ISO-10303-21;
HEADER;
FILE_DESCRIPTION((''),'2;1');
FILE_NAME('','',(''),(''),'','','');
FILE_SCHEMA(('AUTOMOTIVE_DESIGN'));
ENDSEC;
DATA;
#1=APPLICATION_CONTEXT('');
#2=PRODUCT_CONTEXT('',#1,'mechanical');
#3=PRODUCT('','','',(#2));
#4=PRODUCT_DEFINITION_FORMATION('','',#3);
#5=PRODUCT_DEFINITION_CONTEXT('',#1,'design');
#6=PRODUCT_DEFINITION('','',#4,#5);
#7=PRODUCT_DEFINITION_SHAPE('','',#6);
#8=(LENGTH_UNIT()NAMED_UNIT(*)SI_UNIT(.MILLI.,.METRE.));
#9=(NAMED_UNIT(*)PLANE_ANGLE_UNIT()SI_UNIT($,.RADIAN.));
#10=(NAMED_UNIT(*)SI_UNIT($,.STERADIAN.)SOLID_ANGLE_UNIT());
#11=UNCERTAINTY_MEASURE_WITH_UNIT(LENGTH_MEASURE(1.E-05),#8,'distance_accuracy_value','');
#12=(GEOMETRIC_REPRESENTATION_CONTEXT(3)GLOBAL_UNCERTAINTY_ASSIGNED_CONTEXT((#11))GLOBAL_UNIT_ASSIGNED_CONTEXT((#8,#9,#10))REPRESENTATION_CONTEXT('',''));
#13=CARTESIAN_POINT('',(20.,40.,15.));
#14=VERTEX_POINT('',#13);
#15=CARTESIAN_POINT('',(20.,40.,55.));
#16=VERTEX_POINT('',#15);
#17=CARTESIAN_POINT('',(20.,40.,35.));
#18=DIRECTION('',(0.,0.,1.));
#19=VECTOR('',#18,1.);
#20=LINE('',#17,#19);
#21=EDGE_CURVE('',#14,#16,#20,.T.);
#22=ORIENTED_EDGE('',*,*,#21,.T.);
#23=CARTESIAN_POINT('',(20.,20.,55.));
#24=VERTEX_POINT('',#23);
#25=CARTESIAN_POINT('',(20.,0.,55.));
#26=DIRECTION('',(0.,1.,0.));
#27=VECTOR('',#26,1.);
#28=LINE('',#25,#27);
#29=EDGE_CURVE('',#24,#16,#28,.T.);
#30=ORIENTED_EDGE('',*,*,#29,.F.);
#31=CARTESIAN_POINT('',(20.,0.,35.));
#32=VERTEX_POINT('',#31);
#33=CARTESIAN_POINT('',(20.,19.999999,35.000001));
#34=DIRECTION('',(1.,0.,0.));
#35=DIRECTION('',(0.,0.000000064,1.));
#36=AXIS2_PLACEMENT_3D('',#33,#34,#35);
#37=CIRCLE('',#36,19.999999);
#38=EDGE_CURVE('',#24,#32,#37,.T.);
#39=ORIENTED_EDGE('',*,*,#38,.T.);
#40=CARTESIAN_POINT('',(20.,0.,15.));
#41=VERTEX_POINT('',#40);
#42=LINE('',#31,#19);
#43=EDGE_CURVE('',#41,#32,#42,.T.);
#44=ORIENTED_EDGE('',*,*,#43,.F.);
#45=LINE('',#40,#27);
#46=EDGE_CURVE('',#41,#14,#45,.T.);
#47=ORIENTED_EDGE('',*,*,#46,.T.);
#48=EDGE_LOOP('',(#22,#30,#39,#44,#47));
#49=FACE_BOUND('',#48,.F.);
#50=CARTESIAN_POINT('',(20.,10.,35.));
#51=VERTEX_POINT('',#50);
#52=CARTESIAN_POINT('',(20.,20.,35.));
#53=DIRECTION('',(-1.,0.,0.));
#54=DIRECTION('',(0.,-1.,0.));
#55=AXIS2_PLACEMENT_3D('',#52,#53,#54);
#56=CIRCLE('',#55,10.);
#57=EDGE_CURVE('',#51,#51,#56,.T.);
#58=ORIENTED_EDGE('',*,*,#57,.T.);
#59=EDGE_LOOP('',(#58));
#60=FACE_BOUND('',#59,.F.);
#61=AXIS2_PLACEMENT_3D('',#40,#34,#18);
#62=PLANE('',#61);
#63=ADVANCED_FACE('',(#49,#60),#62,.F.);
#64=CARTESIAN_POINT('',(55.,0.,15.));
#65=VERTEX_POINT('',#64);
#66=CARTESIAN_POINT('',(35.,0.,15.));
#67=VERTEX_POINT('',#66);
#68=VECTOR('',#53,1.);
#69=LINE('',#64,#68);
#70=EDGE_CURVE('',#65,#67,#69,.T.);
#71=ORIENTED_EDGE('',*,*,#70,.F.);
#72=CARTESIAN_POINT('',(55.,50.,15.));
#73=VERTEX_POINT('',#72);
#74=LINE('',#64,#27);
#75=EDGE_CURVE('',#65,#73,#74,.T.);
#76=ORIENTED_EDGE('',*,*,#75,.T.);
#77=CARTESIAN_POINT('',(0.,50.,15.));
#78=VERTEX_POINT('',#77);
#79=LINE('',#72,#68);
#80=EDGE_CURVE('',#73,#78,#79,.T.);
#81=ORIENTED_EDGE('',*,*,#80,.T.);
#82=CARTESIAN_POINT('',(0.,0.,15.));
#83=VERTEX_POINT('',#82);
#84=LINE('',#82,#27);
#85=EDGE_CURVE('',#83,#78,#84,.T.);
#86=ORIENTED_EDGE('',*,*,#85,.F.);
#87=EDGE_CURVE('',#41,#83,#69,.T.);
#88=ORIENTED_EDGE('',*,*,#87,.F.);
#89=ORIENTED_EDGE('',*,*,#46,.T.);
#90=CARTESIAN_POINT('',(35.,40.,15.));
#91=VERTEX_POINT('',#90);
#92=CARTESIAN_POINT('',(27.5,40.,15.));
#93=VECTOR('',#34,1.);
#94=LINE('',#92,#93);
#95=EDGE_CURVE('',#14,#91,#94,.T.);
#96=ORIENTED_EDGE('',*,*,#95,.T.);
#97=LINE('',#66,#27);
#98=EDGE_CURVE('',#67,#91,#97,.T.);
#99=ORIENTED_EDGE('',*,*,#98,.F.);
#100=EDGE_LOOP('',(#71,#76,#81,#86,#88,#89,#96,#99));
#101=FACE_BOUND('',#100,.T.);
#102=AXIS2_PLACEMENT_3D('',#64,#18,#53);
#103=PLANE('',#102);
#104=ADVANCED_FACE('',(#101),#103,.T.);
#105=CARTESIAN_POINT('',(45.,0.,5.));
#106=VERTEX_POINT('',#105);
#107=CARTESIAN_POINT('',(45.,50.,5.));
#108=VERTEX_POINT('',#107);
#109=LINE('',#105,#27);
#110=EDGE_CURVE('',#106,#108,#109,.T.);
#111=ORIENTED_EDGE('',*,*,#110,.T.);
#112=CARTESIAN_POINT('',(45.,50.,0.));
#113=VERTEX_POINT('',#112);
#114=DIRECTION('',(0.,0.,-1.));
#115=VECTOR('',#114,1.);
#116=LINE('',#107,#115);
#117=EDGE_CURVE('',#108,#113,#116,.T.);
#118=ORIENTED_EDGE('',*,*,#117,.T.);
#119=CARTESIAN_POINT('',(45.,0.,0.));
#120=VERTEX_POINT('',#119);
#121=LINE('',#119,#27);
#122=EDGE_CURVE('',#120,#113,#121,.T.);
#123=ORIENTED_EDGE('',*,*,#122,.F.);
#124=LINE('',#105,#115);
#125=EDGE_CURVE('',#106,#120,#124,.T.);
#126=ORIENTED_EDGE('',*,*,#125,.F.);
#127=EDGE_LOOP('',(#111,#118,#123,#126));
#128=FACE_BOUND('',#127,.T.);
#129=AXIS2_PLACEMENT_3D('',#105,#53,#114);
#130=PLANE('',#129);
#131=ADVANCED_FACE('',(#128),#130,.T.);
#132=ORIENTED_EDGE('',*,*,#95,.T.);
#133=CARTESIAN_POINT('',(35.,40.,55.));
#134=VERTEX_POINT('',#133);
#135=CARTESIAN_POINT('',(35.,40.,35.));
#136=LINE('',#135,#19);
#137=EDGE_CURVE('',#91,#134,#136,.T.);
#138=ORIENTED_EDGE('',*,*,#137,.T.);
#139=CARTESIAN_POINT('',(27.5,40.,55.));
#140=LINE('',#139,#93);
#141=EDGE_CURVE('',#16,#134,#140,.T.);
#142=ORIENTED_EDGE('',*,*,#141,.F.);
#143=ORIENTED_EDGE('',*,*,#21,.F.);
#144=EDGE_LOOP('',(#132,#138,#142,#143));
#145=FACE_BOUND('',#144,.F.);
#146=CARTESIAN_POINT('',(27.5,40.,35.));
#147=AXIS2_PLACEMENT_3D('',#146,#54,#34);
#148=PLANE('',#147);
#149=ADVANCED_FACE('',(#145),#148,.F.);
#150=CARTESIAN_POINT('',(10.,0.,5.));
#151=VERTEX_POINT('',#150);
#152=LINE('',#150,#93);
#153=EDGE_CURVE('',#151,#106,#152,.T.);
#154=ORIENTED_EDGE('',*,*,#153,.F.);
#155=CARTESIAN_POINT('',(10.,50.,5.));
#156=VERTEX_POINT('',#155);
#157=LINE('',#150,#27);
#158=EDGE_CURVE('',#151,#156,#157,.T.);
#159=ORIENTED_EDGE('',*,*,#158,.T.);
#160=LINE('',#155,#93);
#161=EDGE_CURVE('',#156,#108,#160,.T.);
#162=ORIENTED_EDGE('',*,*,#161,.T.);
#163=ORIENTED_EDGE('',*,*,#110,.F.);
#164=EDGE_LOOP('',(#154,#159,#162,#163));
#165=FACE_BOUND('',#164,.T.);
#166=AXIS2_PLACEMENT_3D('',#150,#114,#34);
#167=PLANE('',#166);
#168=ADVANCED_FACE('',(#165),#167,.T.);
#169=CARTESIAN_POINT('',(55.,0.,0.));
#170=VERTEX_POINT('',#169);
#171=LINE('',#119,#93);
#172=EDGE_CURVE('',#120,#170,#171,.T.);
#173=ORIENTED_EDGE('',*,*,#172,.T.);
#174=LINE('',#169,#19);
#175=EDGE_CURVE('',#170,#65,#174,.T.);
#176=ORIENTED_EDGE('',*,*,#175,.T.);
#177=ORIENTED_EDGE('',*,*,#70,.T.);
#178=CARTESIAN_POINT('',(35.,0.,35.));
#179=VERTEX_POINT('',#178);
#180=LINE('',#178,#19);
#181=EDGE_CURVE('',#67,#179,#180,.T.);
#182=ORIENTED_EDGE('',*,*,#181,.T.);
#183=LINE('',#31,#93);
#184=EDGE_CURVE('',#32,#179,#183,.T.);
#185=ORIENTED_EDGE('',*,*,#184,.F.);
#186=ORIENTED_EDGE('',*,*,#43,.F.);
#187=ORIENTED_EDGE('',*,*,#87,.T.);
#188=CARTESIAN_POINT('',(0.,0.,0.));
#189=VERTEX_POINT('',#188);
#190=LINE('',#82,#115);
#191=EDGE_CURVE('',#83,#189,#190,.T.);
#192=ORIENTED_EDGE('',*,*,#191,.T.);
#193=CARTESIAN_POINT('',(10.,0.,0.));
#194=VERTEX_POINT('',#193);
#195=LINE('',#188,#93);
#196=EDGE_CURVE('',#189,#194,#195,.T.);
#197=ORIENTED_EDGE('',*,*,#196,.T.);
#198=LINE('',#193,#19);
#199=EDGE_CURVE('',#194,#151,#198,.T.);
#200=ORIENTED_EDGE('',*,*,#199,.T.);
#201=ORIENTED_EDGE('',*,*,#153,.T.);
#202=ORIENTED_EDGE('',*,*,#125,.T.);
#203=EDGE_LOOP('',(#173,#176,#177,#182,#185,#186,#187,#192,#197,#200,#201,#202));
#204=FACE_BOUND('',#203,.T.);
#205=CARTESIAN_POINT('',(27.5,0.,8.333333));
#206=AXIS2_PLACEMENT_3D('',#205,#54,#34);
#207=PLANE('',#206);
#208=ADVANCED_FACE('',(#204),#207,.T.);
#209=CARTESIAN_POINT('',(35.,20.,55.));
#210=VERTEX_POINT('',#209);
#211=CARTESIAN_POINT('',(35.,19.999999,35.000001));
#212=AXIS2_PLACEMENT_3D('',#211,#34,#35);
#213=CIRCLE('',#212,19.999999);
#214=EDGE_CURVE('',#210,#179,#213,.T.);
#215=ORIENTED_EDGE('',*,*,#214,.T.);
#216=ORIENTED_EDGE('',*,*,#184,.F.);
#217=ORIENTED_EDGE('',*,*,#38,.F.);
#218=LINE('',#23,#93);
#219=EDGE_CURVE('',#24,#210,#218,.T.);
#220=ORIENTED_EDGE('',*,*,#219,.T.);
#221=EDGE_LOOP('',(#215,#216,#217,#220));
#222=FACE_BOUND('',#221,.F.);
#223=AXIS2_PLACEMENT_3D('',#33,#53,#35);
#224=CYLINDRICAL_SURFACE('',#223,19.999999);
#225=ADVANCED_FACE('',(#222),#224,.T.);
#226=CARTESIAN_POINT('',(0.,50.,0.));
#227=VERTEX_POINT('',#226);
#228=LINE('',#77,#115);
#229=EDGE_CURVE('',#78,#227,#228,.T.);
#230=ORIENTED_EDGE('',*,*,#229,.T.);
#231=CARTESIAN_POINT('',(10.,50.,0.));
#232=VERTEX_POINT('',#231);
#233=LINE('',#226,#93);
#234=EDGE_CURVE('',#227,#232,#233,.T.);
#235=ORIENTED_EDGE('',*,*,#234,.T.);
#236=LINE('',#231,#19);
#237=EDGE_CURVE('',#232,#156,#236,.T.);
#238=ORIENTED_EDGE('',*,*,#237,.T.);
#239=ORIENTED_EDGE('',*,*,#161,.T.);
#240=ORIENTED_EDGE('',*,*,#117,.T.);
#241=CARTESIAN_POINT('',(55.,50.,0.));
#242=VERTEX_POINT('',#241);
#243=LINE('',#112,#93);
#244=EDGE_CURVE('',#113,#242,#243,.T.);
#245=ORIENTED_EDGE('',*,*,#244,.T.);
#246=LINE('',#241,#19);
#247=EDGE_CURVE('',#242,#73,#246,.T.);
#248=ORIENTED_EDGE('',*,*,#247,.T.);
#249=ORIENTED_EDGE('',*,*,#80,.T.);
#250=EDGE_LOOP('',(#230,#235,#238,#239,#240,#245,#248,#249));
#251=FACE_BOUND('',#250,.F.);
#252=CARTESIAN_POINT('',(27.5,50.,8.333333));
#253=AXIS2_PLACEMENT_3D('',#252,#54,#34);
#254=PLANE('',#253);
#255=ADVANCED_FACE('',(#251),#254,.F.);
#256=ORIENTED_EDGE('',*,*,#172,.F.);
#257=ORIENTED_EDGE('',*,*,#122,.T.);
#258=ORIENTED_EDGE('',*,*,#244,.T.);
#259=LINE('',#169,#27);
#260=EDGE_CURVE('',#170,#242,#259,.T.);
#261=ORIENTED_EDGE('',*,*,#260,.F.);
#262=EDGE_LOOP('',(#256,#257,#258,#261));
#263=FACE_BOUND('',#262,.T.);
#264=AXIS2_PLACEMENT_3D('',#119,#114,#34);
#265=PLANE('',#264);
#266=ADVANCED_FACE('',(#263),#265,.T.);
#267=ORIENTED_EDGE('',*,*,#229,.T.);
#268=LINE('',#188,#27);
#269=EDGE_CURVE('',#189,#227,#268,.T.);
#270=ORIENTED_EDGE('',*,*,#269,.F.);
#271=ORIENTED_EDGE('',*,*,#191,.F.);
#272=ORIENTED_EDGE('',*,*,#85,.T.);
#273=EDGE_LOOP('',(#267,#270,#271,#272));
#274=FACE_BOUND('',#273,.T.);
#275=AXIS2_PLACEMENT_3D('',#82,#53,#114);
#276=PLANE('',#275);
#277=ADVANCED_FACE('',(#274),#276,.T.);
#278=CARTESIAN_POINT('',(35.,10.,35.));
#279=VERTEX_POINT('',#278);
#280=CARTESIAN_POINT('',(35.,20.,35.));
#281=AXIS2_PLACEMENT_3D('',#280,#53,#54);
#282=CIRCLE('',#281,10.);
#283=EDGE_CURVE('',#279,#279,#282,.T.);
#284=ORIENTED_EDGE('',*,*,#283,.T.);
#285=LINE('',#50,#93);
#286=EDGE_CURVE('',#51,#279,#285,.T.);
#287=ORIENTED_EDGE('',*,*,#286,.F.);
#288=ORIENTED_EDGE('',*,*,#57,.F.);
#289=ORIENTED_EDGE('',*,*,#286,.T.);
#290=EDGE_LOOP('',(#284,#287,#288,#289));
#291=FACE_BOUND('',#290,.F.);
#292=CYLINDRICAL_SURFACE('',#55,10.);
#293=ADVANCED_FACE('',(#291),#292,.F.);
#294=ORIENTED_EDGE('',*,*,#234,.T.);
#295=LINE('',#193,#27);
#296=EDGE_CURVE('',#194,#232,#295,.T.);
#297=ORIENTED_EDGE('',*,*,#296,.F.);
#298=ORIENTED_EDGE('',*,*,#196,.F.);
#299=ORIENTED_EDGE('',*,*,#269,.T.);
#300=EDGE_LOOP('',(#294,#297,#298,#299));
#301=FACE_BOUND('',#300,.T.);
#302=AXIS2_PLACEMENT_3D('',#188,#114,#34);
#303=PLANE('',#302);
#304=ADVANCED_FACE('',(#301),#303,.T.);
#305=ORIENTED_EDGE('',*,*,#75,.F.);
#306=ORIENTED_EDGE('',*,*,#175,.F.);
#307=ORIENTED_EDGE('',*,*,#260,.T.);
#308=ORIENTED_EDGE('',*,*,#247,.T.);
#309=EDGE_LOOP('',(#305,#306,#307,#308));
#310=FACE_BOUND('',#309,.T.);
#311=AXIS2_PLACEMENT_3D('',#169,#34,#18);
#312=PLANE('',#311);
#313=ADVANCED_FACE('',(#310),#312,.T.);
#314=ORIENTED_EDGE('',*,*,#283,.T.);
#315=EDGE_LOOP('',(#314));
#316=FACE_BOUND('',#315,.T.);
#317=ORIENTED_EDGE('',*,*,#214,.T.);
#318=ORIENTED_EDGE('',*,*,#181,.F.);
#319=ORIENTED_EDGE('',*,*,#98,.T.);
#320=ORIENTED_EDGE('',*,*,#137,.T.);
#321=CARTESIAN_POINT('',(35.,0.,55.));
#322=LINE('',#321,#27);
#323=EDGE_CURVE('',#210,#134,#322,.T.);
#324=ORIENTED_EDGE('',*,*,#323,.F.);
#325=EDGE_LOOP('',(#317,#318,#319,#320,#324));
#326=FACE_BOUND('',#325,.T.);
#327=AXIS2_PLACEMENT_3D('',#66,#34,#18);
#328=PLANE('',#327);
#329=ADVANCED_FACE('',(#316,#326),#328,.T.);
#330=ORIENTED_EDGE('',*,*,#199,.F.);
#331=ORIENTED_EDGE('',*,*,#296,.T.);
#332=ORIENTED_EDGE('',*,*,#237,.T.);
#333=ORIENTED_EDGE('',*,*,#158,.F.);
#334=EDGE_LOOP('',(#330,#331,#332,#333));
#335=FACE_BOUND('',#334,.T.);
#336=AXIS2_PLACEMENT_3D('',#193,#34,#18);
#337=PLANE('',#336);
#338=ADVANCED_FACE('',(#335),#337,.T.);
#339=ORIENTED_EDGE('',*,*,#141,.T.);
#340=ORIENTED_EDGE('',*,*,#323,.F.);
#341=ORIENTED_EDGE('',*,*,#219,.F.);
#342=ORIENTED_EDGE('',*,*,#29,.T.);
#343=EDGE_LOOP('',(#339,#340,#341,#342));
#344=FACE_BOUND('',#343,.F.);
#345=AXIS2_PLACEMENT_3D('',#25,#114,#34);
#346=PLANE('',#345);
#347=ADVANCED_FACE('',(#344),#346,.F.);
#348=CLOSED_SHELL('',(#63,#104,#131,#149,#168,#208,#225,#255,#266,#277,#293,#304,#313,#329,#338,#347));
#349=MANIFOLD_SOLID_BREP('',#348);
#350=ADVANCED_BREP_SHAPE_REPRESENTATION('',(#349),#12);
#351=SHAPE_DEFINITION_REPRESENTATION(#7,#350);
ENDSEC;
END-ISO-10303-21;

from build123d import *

# Parameters (mm, degrees)
F1_DEPTH = 50
F0_W     = 15
F0_H     = 40
F2_DEPTH = 40
F3_R     = 10
F4_DEPTH = 15
F5_DEPTH = 15


with BuildPart() as f1:
    # F0 (on Front) → F1 (new body)
    with BuildSketch(Plane.XZ):
        Polygon((0, 15), (0, 0), (10, 0), (10, 5), (45, 5), (45, 0), (55, 0), (55, 15), (35, 15), (20, 15), align=None)
    extrude(amount=-F1_DEPTH)

    # F0 (on Front) → F2 (join)
    with BuildSketch(Plane.XZ):
        with Locations((27.5, 35)):
            Rectangle(F0_W, F0_H)
    extrude(amount=-F2_DEPTH)

    # F3 (on face) → F4 (cut, through all)
    with BuildSketch(Plane(origin=(20, 0, 0), x_dir=(0, -1, 0), z_dir=(-1, 0, 0))):
        with Locations((-20, 35)):
            Circle(F3_R)
    extrude(amount=-F4_DEPTH, mode=Mode.SUBTRACT)

    # F3 (on face) → F5 (cut, through all)
    with BuildSketch(Plane(origin=(20, 0, 0), x_dir=(0, -1, 0), z_dir=(-1, 0, 0))):
        with BuildLine():
            ThreePointArc((-20, 55), (-5.857864, 49.142136), (0, 35))
            Line((0, 35), (0, 55))
            Line((0, 55), (-20, 55))
        make_face()
    extrude(amount=-F5_DEPTH, mode=Mode.SUBTRACT)


solid = f1.part
